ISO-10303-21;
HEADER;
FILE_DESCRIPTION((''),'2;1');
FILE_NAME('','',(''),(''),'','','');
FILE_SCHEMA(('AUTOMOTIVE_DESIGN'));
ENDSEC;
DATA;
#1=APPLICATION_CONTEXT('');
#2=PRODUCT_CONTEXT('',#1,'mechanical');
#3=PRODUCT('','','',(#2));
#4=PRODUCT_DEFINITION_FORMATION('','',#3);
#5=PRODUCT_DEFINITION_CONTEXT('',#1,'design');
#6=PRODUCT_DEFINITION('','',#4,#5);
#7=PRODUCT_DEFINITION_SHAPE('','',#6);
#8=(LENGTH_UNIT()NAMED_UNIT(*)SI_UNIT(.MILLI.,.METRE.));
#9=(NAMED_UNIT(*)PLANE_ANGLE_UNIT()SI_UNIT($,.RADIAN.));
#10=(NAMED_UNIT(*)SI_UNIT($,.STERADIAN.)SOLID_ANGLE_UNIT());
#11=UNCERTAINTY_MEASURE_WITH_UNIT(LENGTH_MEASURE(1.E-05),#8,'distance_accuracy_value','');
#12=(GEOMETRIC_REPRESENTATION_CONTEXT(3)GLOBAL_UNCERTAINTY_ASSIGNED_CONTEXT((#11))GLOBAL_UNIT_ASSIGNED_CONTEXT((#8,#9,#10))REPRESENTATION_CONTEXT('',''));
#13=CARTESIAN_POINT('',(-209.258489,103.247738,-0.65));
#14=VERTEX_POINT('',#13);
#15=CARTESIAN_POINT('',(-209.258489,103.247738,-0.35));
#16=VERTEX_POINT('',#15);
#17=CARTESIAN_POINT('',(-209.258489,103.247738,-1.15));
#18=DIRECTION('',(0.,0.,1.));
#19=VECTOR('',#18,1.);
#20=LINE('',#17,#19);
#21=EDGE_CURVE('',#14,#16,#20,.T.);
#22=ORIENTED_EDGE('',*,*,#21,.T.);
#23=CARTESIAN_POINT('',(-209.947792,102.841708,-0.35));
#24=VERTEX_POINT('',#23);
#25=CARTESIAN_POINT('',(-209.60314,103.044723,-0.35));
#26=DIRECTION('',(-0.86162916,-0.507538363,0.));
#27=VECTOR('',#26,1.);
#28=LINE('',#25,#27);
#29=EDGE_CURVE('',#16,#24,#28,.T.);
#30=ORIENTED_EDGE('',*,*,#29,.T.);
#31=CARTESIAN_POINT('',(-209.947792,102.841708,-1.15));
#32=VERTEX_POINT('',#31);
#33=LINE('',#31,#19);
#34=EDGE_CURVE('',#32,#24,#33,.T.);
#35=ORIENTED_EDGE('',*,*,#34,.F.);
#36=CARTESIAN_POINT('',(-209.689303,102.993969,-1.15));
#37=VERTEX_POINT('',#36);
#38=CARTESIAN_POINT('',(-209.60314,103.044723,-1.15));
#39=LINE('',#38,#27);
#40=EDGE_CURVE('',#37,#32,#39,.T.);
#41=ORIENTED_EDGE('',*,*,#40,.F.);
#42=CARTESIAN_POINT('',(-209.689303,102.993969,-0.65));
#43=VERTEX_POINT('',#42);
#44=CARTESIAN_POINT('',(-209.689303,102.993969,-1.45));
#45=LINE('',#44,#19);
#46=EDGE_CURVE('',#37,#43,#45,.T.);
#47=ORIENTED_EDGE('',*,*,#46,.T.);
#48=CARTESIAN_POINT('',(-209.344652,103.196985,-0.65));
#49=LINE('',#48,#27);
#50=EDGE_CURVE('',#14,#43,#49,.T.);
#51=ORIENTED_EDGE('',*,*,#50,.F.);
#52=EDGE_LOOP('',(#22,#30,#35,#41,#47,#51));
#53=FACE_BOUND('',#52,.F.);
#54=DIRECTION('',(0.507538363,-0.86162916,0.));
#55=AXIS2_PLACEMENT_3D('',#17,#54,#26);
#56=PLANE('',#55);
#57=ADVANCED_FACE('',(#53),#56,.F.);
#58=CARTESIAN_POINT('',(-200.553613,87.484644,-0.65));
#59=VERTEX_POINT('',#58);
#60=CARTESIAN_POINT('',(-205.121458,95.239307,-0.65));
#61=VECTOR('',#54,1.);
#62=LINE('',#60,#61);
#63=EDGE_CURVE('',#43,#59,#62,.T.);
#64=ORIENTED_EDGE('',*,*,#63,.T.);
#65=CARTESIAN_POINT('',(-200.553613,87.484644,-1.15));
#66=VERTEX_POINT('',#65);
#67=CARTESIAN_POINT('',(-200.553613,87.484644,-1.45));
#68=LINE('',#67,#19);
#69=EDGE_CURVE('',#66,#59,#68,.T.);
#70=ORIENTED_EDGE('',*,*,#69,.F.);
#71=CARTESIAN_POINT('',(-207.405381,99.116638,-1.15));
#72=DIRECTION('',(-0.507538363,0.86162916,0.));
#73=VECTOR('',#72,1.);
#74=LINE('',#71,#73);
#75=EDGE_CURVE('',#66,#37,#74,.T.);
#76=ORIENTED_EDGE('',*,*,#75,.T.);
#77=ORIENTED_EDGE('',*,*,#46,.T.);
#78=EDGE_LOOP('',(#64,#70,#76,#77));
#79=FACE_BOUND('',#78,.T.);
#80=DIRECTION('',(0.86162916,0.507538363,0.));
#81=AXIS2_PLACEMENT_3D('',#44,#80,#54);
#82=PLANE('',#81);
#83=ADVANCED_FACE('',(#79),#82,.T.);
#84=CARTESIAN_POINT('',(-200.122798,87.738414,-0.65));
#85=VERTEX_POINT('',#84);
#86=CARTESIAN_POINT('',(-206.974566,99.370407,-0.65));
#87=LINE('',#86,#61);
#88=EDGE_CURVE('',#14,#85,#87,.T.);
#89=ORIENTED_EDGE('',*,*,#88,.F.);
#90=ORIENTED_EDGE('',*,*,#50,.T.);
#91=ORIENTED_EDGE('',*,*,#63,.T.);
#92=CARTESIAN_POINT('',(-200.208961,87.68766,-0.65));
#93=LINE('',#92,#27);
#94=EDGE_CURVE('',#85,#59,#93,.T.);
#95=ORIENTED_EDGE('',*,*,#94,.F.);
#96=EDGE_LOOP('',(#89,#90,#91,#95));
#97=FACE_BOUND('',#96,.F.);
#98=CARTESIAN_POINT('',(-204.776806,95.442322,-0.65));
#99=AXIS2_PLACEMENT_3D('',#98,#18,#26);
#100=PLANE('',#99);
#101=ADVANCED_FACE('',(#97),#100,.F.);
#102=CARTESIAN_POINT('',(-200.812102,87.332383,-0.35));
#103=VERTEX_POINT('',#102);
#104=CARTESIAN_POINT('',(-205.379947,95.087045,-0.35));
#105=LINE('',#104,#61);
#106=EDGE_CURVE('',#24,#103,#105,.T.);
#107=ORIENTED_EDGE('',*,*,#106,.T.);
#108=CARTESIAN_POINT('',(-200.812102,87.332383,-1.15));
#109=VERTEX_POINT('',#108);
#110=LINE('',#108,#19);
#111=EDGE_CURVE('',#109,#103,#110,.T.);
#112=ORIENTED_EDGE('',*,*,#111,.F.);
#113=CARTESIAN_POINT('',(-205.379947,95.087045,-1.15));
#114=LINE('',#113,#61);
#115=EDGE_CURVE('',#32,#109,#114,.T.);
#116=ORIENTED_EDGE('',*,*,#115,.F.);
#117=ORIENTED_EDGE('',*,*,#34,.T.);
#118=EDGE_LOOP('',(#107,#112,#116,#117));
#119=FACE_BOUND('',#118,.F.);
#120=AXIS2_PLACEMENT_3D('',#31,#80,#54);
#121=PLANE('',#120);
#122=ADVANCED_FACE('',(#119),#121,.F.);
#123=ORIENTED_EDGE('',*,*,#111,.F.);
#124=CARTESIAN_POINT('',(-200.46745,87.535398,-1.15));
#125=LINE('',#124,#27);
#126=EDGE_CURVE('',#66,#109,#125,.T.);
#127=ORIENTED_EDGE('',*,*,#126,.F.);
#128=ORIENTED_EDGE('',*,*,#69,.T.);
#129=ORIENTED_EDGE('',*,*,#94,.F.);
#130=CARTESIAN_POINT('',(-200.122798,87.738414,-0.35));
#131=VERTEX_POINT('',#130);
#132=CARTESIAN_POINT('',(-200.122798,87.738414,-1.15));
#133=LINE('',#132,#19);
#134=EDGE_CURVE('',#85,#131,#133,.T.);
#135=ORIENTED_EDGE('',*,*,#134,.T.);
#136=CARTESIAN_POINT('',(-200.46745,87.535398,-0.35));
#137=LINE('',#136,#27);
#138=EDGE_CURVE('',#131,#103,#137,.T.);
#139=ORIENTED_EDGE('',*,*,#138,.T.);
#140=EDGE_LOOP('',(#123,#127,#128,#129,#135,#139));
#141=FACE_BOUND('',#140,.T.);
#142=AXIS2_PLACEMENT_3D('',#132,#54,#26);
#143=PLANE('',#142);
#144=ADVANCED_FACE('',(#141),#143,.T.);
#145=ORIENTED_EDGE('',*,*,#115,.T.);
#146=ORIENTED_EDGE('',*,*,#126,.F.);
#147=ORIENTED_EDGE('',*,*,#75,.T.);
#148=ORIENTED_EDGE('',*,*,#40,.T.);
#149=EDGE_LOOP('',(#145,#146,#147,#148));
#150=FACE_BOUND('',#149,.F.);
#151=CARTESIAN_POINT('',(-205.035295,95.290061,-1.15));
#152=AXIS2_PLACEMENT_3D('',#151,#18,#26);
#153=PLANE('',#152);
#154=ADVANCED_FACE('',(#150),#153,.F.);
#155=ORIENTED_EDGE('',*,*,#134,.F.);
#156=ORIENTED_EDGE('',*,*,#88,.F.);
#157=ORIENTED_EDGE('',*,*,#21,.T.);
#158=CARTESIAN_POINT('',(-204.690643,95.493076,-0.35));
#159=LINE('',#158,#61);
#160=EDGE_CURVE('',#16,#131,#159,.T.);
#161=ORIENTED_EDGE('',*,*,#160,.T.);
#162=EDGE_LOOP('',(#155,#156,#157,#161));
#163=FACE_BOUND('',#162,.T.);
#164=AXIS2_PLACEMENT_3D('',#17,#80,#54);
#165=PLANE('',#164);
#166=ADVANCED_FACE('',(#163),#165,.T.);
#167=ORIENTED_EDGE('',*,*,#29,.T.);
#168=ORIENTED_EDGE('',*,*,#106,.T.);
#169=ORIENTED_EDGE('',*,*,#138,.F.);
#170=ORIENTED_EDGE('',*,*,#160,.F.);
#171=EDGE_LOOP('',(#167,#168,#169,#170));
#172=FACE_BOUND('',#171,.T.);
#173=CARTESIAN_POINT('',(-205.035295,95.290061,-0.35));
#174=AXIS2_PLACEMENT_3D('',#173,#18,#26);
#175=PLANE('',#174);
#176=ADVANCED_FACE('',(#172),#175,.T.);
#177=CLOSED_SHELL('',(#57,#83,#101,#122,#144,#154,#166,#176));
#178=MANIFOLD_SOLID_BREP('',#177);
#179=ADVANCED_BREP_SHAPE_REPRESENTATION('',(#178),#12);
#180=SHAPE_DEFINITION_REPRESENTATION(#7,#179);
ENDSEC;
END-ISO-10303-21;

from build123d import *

# Parameters (mm, degrees)
BOX163_W               = 0.8
BOX163_H               = 18
BOX163_DEPTH           = 0.8
BOX164_W               = 0.8
BOX164_H               = 18
BOX164_DEPTH           = 0.8
CUT085_PLACEMENT_ANGLE = 210.5


with BuildPart() as cubo163:
    # Box163 → Box163 (new body)
    with BuildSketch(Plane.XY):
        with Locations((0.4, 9)):
            Rectangle(BOX163_W, BOX163_H)
    extrude(amount=BOX163_DEPTH)


with BuildPart() as perfil_l_2da_cara027:
    # Box164 → Box164 (new body)
    with BuildSketch(Plane(origin=(0.3, 0, 0.3), x_dir=(1, 0, 0), z_dir=(0, 0, 1))):
        with Locations((0.4, 9)):
            Rectangle(BOX164_W, BOX164_H)
    extrude(amount=BOX164_DEPTH)

    # Cut085: cut Cubo163
    add(cubo163.part, mode=Mode.SUBTRACT)


with BuildPart() as perfil_l_2da_cara027_1:
    # Cut085 placement: moved
    add(perfil_l_2da_cara027.part.moved(Location((-209, 103.4, -1.45))).rotate(Axis((-209, 103.4, -1.45), (0, 0, 1)), CUT085_PLACEMENT_ANGLE))


solid = perfil_l_2da_cara027_1.part
